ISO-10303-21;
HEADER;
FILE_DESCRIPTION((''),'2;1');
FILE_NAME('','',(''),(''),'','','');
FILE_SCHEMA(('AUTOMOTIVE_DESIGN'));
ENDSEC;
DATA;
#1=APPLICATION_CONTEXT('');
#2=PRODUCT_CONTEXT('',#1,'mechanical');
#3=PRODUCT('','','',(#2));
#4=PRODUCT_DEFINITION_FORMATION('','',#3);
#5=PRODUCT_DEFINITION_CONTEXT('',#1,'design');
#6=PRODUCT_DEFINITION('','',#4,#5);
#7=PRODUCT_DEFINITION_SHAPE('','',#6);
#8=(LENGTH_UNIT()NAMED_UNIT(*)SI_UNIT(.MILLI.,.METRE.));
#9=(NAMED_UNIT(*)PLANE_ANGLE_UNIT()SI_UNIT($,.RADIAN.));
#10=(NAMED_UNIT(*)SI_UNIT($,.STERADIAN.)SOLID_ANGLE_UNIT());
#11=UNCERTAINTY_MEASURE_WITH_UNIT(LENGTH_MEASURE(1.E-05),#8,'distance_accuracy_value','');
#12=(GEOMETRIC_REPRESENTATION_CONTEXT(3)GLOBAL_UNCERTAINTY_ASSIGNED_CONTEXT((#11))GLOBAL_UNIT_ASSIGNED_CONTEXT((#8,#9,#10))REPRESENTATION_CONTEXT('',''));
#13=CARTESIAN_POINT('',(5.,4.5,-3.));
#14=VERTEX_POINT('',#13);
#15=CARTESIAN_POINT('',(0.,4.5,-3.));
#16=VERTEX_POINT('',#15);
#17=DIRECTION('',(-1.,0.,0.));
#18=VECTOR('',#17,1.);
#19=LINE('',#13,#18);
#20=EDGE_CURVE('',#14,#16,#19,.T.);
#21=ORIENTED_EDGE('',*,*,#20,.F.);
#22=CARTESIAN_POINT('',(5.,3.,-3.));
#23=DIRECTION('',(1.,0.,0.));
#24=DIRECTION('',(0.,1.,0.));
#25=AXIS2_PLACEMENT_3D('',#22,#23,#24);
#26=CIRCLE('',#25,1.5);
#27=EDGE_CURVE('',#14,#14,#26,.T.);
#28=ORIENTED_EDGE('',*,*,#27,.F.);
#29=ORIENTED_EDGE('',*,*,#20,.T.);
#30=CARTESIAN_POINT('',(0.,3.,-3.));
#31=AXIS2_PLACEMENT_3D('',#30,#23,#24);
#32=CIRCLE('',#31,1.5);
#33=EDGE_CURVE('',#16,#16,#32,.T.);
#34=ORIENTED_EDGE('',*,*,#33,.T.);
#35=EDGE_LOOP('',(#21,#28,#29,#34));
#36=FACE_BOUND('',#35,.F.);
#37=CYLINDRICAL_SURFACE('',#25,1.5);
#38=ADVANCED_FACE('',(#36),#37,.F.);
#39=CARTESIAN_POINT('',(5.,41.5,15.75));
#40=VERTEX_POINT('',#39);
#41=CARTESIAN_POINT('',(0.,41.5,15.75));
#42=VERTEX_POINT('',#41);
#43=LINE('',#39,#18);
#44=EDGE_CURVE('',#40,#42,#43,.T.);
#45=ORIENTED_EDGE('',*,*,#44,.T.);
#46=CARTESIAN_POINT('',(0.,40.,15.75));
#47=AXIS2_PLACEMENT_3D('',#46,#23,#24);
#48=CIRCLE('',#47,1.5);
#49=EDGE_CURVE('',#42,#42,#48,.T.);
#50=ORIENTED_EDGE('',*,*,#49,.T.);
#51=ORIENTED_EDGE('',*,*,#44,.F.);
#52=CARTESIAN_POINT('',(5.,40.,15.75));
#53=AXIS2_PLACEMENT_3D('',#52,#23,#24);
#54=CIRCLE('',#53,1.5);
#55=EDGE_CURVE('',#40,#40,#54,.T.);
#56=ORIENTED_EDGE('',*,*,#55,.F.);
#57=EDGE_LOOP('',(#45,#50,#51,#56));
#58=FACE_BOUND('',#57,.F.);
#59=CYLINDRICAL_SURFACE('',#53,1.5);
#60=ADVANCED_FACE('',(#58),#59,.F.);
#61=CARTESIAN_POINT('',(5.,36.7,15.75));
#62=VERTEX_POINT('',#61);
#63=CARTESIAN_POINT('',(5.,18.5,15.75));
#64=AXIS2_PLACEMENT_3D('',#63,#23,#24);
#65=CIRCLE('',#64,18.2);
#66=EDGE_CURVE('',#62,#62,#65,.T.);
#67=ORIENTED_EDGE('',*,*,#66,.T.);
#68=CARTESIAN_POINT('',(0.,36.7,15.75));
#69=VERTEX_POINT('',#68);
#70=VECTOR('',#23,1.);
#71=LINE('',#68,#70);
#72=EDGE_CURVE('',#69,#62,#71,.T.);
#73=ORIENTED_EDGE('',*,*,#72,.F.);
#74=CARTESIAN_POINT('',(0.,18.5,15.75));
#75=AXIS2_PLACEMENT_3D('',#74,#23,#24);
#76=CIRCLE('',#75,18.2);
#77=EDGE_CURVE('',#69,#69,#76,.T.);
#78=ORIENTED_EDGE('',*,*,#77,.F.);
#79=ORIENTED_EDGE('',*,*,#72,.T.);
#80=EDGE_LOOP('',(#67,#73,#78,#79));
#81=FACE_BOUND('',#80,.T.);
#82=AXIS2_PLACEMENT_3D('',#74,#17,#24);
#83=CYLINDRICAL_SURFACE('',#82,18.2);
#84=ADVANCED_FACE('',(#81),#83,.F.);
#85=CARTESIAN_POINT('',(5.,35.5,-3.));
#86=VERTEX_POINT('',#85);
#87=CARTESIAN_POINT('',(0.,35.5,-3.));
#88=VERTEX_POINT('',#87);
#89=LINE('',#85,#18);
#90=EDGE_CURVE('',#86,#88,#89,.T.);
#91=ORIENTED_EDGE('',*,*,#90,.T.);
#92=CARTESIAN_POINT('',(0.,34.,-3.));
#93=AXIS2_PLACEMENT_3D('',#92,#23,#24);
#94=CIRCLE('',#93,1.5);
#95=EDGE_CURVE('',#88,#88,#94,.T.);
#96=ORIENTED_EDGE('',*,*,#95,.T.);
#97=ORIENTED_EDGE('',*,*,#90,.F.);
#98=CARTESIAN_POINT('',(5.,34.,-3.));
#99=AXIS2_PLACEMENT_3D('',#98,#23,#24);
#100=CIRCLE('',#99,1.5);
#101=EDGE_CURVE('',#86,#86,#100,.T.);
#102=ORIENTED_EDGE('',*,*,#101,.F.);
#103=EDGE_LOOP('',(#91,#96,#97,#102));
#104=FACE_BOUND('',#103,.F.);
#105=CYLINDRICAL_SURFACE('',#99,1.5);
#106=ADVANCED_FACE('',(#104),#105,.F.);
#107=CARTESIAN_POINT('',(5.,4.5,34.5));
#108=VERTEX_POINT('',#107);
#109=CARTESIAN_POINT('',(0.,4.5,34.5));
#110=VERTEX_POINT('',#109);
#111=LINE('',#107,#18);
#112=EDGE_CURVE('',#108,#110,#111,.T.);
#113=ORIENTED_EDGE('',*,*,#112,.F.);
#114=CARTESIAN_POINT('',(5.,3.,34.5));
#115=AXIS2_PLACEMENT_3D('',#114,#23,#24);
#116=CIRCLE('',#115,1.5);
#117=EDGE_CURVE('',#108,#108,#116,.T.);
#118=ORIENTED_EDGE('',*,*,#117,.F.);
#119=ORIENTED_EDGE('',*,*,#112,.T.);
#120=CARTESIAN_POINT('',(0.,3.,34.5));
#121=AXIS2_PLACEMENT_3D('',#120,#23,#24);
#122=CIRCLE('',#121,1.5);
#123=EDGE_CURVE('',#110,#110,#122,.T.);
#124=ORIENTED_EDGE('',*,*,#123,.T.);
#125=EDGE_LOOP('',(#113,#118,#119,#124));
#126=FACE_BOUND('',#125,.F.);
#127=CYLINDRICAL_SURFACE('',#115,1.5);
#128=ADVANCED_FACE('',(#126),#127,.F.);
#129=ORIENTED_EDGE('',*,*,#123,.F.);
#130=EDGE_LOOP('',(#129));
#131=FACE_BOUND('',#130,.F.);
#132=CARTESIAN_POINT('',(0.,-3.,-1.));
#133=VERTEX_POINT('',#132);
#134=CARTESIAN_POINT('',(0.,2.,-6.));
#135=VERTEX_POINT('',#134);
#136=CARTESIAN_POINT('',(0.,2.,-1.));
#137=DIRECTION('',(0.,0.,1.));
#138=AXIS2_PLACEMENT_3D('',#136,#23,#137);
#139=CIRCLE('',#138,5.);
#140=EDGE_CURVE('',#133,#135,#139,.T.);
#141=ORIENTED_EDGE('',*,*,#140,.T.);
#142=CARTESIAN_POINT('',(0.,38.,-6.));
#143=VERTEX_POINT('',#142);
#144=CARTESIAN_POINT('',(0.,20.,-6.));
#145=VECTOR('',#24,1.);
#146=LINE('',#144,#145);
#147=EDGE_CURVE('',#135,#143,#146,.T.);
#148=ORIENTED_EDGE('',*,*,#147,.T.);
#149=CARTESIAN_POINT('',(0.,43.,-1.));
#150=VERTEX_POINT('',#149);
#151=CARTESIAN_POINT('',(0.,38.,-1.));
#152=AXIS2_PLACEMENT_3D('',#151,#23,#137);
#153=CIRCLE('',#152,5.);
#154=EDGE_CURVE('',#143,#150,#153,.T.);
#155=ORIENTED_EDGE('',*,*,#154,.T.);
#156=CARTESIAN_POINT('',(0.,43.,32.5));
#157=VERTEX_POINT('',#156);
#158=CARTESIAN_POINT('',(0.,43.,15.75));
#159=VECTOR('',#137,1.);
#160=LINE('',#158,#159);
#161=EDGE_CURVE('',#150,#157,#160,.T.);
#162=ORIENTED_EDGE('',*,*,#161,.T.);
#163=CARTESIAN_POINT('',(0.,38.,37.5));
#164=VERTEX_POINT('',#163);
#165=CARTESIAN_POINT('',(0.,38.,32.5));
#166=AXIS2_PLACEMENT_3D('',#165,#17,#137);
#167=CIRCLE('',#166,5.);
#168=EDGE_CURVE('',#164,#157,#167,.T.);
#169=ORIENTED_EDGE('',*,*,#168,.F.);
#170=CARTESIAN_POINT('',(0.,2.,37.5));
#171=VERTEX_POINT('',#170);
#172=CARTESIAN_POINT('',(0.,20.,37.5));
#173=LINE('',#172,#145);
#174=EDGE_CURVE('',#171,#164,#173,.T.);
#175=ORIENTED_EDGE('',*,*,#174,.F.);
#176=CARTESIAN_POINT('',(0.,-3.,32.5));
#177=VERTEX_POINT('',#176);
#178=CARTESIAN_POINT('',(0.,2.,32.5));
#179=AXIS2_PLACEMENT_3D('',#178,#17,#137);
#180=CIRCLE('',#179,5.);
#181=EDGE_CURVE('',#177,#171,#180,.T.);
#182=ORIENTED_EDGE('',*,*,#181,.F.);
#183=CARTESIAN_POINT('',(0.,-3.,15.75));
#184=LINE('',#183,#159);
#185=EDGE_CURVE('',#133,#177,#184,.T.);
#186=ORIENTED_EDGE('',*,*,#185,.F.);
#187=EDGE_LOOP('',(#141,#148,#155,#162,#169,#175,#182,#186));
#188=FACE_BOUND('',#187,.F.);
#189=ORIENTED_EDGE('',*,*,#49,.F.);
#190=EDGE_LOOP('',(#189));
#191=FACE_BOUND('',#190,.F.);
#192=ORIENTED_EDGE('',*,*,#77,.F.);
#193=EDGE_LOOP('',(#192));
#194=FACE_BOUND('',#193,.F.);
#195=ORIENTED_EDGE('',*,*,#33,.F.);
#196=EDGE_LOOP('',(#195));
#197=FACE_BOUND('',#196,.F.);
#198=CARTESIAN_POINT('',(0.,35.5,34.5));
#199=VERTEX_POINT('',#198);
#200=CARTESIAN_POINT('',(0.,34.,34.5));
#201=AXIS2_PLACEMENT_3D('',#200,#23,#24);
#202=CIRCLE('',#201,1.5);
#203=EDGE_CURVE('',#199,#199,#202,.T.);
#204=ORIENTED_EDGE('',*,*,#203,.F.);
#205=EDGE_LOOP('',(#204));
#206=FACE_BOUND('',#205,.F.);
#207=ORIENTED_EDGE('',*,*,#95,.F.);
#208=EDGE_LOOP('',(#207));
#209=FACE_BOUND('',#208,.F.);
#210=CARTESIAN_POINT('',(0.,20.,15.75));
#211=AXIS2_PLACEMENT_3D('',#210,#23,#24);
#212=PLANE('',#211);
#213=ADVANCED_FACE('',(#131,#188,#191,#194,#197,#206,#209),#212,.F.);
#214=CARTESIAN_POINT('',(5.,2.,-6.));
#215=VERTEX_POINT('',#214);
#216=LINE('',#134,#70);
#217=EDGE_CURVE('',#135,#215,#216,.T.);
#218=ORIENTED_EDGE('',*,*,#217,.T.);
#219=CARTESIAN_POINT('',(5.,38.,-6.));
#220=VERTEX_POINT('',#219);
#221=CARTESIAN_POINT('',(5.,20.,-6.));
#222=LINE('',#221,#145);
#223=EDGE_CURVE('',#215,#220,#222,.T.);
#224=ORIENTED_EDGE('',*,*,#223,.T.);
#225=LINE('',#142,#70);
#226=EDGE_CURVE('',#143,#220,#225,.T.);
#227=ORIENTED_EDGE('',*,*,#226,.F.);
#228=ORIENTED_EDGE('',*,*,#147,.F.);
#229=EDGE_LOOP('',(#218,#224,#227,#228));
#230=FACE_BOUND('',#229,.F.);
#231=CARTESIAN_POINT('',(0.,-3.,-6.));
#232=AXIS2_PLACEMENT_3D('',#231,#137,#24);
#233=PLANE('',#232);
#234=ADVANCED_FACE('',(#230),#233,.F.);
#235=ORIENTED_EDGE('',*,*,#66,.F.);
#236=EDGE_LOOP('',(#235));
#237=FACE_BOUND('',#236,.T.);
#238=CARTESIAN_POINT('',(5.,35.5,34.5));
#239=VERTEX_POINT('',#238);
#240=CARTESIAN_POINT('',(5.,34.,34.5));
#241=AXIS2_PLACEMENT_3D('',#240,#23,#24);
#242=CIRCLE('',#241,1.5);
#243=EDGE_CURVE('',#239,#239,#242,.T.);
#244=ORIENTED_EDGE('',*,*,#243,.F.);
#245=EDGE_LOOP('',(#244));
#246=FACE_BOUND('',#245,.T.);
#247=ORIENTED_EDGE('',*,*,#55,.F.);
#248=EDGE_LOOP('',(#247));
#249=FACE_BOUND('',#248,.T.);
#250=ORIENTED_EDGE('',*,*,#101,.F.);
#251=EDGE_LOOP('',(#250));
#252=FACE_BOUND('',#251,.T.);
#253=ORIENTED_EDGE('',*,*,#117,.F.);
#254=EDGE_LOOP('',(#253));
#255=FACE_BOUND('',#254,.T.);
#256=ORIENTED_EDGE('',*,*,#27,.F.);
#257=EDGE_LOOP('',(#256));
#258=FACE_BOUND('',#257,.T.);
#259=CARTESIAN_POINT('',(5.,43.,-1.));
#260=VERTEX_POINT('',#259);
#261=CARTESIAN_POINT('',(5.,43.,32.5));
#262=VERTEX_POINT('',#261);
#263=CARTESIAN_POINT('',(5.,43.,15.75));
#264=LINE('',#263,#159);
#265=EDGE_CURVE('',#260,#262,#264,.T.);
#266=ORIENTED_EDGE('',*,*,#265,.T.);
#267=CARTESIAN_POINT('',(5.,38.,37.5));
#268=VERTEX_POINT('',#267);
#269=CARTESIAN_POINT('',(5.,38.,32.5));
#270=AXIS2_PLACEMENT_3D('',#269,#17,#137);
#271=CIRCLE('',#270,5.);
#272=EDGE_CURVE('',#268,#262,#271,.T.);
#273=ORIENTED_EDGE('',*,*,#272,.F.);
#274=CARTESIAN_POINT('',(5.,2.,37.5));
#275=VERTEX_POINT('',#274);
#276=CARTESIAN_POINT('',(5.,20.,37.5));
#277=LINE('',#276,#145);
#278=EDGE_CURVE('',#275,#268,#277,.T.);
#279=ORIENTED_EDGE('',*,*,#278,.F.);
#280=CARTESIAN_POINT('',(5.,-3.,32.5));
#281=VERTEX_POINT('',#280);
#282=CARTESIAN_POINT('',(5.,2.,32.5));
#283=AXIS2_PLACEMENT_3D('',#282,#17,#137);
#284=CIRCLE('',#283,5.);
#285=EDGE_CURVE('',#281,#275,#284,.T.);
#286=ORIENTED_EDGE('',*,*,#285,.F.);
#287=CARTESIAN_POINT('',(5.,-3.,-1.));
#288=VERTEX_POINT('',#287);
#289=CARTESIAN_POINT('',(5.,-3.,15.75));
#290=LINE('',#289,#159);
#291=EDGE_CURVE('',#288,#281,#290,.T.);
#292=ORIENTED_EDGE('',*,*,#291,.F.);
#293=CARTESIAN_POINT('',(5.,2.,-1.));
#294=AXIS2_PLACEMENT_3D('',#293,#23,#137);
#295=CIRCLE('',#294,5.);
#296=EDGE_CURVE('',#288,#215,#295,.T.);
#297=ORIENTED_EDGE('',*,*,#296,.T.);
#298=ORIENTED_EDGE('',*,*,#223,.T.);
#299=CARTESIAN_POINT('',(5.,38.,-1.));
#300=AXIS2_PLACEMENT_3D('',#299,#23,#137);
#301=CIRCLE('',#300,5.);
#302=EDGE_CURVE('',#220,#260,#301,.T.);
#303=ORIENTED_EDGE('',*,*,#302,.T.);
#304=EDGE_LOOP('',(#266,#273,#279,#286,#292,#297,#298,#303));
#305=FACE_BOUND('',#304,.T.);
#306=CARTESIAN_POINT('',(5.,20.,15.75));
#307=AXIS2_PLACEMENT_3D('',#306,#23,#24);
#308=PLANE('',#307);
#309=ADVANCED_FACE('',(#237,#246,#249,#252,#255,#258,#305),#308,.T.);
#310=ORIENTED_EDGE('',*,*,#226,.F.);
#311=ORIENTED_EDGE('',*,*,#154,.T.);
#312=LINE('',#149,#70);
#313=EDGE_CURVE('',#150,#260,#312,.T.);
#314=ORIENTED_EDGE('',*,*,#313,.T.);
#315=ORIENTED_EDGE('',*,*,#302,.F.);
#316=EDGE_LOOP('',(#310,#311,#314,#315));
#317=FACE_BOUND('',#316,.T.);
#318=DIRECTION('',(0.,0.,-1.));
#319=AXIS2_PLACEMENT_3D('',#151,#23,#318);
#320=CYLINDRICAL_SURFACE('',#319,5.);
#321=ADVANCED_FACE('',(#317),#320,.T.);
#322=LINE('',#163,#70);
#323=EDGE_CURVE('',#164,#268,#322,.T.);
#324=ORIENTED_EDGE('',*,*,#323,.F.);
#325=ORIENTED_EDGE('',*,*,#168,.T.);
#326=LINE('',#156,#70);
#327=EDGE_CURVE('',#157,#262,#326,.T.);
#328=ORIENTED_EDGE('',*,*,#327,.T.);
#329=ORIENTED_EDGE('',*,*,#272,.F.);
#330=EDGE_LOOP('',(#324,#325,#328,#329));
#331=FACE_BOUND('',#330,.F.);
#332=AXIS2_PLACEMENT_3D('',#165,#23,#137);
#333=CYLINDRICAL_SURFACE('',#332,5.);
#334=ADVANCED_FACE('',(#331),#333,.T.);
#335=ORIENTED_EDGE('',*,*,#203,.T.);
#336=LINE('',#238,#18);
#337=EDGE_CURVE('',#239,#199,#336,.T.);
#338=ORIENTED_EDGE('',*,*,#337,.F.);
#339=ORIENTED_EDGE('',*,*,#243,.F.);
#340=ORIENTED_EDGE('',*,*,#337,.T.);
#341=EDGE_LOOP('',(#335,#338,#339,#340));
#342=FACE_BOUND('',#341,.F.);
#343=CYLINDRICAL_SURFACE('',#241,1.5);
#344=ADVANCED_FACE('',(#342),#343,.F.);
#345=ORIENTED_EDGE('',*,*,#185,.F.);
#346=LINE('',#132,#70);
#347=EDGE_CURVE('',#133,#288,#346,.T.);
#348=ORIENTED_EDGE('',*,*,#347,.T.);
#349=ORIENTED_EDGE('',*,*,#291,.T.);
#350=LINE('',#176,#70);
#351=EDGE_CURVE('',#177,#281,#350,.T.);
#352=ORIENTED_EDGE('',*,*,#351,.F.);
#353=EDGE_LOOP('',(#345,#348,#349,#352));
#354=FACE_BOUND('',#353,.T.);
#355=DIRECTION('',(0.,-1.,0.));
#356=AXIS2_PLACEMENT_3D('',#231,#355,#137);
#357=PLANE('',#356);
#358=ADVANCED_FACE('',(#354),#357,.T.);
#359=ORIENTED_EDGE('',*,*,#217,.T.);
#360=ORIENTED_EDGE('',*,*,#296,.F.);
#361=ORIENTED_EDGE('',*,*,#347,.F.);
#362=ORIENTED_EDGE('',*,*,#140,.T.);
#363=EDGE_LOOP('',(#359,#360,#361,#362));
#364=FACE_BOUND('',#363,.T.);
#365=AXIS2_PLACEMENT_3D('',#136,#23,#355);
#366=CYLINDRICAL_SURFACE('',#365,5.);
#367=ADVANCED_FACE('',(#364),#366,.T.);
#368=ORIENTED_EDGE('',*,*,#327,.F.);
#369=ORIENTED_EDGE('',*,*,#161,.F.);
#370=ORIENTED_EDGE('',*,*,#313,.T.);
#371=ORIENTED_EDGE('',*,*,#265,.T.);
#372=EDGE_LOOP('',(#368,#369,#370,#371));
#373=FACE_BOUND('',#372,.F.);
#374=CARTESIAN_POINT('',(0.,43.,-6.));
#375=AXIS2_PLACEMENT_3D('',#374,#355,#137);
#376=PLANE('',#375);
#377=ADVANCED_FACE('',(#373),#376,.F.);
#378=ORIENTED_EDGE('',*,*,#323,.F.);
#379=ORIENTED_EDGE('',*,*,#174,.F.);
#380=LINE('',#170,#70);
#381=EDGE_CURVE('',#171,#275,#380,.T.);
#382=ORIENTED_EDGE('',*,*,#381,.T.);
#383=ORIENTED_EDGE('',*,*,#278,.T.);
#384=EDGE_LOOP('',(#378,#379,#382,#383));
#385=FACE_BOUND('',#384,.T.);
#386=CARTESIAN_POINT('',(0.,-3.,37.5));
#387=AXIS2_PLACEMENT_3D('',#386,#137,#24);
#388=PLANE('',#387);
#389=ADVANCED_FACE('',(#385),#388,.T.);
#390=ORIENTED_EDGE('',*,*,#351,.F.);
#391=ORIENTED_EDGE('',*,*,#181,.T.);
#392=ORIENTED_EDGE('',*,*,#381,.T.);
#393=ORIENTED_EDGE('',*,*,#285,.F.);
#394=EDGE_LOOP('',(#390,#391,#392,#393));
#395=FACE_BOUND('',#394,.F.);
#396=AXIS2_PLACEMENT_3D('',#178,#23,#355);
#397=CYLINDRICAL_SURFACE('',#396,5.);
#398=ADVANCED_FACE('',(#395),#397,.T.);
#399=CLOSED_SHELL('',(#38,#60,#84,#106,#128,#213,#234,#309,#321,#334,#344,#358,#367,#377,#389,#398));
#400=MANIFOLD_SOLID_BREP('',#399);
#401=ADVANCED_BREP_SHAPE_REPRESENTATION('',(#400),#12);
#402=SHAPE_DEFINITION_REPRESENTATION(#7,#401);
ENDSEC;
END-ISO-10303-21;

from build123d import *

# Parameters (mm, degrees)
SKETCH_W     = 46
SKETCH_H     = 43.5
SKETCH_R     = 18.2
PAD_DEPTH    = 5
SKETCH006_R  = 1.5
POCKET_DEPTH = 5.001
FILLET_R     = 5
FILLET001_R  = 5


with BuildPart() as part:
    # Sketch → Pad (new body)
    with BuildSketch(Plane.YZ):
        with Locations((20, 15.75)):
            Rectangle(SKETCH_W, SKETCH_H)
        with Locations((18.5, 15.75)):
            Circle(SKETCH_R, mode=Mode.SUBTRACT)
    extrude(amount=PAD_DEPTH)

    # Sketch006 → Pocket (cut, through all)
    with BuildSketch(Plane.YZ.offset(5)):
        with Locations((3, 34.5)):
            Circle(SKETCH006_R)
        with Locations((34, 34.5)):
            Circle(SKETCH006_R)
        with Locations((40, 15.75)):
            Circle(SKETCH006_R)
        with Locations((34, -3)):
            Circle(SKETCH006_R)
        with Locations((3, -3)):
            Circle(SKETCH006_R)
    extrude(amount=-POCKET_DEPTH, mode=Mode.SUBTRACT)

    # Fillet
    fillet_edges = [part.edges().sort_by_distance(p)[0] for p in [
        (2.5, 43, -6),
        (2.5, -3, -6),
    ]]
    fillet(fillet_edges, radius=FILLET_R)

    # Fillet001
    fillet001_edges = [part.edges().sort_by_distance(p)[0] for p in [
        (2.5, 43, 37.5),
        (2.5, -3, 37.5),
    ]]
    fillet(fillet001_edges, radius=FILLET001_R)


solid = part.part
